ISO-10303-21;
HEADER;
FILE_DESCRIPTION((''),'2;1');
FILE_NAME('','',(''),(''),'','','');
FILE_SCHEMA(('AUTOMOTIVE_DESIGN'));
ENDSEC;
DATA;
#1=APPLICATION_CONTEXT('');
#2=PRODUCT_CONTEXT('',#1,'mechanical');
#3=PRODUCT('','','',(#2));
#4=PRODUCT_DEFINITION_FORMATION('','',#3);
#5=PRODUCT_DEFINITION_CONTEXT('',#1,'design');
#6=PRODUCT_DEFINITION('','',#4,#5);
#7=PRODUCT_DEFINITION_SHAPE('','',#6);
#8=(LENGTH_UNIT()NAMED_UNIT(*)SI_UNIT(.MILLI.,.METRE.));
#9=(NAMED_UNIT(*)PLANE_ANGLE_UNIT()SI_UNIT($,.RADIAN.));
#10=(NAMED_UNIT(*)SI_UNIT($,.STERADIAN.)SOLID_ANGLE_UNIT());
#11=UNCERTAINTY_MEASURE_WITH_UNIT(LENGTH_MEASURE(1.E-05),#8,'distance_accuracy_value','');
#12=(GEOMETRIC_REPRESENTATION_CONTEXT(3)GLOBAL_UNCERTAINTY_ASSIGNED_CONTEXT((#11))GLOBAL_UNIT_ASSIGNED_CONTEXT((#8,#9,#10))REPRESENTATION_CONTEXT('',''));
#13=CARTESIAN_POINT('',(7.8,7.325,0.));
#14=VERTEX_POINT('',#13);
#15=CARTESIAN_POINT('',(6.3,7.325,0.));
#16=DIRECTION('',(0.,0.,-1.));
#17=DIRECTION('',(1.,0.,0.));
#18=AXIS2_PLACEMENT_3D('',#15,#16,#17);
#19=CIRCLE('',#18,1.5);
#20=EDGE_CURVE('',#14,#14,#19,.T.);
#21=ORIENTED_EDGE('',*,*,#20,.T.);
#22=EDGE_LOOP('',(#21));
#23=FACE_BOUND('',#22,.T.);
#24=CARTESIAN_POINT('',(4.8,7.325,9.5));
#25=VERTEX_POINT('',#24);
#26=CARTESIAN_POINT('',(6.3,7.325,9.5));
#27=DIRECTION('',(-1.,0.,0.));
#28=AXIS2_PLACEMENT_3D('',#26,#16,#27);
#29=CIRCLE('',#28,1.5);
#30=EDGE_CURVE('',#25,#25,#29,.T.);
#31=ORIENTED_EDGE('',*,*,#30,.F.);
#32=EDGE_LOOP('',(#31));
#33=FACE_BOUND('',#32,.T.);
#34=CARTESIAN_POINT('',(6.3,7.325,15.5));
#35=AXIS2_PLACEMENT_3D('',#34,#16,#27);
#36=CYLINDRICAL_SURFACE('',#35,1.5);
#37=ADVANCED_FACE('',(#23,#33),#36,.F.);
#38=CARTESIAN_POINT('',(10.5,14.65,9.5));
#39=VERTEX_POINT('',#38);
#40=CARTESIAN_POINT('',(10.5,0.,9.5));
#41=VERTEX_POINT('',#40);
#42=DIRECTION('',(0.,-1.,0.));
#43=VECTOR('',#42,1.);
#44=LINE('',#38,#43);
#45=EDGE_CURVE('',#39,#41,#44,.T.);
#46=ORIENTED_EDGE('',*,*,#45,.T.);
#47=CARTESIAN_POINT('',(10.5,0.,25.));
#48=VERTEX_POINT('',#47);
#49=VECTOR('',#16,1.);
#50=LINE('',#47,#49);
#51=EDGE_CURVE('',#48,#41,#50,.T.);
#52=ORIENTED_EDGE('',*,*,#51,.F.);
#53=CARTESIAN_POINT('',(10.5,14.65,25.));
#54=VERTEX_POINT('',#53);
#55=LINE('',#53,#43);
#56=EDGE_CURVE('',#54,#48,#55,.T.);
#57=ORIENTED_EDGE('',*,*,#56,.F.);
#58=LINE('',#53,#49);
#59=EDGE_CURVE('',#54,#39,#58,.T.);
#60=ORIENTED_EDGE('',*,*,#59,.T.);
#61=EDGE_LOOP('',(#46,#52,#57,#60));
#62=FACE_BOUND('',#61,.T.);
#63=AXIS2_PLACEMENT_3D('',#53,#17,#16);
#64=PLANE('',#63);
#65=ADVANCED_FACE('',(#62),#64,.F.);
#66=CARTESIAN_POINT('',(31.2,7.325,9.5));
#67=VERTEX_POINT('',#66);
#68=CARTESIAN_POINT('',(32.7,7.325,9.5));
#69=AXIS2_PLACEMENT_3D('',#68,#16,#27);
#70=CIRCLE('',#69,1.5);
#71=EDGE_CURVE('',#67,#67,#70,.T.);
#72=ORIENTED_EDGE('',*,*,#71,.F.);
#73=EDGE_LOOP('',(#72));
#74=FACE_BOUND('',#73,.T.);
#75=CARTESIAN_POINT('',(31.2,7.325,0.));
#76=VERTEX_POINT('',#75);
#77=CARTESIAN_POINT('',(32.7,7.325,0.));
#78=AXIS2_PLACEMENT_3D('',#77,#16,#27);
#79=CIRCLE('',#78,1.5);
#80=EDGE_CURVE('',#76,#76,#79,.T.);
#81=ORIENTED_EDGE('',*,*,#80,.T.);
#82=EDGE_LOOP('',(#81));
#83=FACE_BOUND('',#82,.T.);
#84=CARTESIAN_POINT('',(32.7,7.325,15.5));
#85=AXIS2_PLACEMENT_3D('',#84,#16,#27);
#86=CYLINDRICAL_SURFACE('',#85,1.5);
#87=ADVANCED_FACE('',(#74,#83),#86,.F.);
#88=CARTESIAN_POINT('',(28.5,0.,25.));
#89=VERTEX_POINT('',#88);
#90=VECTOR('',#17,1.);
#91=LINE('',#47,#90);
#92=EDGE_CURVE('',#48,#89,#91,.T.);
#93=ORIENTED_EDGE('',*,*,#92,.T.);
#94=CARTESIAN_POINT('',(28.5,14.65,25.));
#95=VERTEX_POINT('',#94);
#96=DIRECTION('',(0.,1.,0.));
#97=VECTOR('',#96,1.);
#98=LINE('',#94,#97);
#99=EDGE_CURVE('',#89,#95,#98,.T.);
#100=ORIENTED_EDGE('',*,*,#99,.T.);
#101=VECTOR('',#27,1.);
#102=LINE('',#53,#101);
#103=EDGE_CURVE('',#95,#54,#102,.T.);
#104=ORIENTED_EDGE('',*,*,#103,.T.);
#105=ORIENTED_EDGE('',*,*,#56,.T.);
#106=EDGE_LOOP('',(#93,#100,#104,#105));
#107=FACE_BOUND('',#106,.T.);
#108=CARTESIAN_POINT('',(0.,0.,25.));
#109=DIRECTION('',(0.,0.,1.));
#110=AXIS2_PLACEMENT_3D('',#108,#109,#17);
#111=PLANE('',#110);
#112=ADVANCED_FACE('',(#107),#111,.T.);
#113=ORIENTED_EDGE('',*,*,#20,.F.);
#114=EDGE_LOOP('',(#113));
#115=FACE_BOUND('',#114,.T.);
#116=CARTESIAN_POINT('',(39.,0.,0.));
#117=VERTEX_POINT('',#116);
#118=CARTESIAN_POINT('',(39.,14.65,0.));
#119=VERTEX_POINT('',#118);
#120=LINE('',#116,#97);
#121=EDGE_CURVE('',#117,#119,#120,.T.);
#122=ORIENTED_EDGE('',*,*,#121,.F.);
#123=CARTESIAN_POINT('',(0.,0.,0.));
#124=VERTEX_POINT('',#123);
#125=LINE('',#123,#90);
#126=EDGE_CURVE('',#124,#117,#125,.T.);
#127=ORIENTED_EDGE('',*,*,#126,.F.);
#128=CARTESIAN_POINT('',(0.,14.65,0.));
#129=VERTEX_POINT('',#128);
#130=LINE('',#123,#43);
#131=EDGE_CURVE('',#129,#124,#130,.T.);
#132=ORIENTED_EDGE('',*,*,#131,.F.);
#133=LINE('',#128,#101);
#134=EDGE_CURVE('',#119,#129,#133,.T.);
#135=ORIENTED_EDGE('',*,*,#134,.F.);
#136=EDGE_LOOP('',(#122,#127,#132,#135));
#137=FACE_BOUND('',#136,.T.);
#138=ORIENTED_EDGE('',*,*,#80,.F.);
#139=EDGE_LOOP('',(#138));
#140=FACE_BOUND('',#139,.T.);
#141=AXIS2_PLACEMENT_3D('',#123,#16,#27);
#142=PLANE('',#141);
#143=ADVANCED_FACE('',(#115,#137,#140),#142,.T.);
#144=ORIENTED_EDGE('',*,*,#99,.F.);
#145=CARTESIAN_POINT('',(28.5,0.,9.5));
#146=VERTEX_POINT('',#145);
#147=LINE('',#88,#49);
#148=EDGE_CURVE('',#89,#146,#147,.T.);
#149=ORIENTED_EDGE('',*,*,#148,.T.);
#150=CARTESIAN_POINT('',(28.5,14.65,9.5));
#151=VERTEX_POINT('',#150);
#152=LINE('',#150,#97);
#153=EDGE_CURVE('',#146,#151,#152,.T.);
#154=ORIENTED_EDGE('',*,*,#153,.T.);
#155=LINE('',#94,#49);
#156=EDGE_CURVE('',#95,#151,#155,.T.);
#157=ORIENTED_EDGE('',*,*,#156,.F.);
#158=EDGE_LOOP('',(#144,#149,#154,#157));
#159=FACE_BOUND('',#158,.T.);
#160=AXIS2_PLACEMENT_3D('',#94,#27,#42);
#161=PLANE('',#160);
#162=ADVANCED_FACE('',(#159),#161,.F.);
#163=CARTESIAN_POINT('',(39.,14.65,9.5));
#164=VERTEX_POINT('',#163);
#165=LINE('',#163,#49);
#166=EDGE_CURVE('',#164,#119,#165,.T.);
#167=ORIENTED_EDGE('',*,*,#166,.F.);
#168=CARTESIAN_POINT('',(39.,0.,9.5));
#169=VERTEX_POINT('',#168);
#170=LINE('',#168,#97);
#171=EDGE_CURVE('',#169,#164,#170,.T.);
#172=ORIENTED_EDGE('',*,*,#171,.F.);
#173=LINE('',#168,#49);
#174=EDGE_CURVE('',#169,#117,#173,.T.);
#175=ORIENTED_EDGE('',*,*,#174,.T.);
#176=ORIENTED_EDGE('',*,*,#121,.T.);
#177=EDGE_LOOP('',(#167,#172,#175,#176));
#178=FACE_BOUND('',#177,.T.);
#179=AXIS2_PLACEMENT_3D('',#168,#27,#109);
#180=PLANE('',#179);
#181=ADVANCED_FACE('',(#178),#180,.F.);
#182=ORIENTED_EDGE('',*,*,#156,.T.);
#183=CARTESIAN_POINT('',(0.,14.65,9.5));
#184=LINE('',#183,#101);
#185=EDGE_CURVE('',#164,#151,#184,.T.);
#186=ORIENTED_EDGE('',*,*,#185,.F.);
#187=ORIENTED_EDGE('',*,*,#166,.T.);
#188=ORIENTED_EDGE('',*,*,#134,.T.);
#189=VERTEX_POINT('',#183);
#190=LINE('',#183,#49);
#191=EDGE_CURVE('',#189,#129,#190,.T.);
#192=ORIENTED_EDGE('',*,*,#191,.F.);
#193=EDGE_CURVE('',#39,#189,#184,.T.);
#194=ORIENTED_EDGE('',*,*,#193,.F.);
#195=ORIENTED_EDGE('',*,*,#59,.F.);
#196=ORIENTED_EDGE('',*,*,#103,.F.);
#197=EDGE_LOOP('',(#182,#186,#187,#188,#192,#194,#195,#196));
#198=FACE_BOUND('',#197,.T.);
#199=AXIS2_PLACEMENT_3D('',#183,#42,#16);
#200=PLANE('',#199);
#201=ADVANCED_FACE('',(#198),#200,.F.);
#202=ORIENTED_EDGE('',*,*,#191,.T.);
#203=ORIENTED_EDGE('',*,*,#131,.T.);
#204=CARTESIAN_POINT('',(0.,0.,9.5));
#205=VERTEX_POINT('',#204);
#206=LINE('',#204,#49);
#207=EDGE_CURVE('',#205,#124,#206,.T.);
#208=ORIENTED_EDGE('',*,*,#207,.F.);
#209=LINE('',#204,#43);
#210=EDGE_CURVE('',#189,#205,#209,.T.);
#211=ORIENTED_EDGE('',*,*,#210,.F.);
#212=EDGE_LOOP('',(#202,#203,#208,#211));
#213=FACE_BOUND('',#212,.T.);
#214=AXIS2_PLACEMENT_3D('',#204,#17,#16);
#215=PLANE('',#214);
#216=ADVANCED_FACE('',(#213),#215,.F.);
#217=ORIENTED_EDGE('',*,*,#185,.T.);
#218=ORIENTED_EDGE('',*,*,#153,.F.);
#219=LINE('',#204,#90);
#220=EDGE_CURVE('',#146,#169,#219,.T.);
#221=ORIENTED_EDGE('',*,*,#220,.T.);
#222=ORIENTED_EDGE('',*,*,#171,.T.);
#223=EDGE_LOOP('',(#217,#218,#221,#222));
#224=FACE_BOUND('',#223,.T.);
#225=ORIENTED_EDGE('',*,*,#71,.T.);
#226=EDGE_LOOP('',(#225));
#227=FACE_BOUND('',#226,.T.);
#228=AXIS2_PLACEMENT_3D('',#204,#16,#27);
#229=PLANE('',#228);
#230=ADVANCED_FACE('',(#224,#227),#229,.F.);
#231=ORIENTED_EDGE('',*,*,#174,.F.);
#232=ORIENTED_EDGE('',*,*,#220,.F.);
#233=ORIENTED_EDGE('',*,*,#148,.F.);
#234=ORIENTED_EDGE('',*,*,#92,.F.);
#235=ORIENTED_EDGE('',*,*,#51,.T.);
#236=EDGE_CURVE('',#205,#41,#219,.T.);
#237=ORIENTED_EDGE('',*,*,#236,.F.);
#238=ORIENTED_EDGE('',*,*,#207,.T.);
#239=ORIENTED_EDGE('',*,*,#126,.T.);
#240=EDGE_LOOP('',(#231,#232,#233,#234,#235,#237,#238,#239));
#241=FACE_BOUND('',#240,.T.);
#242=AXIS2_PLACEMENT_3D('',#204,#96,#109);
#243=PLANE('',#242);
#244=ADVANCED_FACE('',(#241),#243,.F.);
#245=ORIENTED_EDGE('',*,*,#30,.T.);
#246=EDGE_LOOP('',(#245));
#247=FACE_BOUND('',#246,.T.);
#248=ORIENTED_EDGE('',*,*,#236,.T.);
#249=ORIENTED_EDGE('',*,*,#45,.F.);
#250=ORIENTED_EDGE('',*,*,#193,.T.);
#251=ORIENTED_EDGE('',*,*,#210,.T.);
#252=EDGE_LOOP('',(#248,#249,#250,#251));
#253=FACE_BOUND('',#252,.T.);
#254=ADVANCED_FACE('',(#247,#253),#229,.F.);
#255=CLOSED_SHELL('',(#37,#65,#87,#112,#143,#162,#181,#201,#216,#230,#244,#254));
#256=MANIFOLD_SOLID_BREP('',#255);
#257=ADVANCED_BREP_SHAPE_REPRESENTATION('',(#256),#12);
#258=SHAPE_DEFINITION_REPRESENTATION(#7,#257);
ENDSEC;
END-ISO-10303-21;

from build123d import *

# Parameters (mm, degrees)
SKETCH1_W           = 39
SKETCH1_H           = 14.65
BOSS_EXTRUDE1_DEPTH = 9.5
SKETCH2_W           = 18
SKETCH2_H           = 14.65
BOSS_EXTRUDE2_DEPTH = 15.5
SKETCH3_R           = 1.5
CUT_EXTRUDE1_DEPTH  = 15.5


with BuildPart() as part:
    # Sketch1 → Boss-Extrude1 (new body)
    with BuildSketch(Plane.XY):
        with Locations((19.5, 7.325)):
            Rectangle(SKETCH1_W, SKETCH1_H)
    extrude(amount=BOSS_EXTRUDE1_DEPTH)

    # Sketch2 → Boss-Extrude2 (add)
    with BuildSketch(Plane.XY.offset(9.5)):
        with Locations((19.5, 7.325)):
            Rectangle(SKETCH2_W, SKETCH2_H)
    extrude(amount=BOSS_EXTRUDE2_DEPTH)

    # Sketch3 → Cut-Extrude1 (cut)
    with BuildSketch(Plane(origin=(0, 0, 0), x_dir=(-1, 0, 0), z_dir=(0, 0, -1))):
        with Locations((-32.7, 7.325)):
            Circle(SKETCH3_R)
        with Locations((-6.3, 7.325)):
            Circle(SKETCH3_R)
    extrude(amount=-CUT_EXTRUDE1_DEPTH, mode=Mode.SUBTRACT)


solid = part.part
